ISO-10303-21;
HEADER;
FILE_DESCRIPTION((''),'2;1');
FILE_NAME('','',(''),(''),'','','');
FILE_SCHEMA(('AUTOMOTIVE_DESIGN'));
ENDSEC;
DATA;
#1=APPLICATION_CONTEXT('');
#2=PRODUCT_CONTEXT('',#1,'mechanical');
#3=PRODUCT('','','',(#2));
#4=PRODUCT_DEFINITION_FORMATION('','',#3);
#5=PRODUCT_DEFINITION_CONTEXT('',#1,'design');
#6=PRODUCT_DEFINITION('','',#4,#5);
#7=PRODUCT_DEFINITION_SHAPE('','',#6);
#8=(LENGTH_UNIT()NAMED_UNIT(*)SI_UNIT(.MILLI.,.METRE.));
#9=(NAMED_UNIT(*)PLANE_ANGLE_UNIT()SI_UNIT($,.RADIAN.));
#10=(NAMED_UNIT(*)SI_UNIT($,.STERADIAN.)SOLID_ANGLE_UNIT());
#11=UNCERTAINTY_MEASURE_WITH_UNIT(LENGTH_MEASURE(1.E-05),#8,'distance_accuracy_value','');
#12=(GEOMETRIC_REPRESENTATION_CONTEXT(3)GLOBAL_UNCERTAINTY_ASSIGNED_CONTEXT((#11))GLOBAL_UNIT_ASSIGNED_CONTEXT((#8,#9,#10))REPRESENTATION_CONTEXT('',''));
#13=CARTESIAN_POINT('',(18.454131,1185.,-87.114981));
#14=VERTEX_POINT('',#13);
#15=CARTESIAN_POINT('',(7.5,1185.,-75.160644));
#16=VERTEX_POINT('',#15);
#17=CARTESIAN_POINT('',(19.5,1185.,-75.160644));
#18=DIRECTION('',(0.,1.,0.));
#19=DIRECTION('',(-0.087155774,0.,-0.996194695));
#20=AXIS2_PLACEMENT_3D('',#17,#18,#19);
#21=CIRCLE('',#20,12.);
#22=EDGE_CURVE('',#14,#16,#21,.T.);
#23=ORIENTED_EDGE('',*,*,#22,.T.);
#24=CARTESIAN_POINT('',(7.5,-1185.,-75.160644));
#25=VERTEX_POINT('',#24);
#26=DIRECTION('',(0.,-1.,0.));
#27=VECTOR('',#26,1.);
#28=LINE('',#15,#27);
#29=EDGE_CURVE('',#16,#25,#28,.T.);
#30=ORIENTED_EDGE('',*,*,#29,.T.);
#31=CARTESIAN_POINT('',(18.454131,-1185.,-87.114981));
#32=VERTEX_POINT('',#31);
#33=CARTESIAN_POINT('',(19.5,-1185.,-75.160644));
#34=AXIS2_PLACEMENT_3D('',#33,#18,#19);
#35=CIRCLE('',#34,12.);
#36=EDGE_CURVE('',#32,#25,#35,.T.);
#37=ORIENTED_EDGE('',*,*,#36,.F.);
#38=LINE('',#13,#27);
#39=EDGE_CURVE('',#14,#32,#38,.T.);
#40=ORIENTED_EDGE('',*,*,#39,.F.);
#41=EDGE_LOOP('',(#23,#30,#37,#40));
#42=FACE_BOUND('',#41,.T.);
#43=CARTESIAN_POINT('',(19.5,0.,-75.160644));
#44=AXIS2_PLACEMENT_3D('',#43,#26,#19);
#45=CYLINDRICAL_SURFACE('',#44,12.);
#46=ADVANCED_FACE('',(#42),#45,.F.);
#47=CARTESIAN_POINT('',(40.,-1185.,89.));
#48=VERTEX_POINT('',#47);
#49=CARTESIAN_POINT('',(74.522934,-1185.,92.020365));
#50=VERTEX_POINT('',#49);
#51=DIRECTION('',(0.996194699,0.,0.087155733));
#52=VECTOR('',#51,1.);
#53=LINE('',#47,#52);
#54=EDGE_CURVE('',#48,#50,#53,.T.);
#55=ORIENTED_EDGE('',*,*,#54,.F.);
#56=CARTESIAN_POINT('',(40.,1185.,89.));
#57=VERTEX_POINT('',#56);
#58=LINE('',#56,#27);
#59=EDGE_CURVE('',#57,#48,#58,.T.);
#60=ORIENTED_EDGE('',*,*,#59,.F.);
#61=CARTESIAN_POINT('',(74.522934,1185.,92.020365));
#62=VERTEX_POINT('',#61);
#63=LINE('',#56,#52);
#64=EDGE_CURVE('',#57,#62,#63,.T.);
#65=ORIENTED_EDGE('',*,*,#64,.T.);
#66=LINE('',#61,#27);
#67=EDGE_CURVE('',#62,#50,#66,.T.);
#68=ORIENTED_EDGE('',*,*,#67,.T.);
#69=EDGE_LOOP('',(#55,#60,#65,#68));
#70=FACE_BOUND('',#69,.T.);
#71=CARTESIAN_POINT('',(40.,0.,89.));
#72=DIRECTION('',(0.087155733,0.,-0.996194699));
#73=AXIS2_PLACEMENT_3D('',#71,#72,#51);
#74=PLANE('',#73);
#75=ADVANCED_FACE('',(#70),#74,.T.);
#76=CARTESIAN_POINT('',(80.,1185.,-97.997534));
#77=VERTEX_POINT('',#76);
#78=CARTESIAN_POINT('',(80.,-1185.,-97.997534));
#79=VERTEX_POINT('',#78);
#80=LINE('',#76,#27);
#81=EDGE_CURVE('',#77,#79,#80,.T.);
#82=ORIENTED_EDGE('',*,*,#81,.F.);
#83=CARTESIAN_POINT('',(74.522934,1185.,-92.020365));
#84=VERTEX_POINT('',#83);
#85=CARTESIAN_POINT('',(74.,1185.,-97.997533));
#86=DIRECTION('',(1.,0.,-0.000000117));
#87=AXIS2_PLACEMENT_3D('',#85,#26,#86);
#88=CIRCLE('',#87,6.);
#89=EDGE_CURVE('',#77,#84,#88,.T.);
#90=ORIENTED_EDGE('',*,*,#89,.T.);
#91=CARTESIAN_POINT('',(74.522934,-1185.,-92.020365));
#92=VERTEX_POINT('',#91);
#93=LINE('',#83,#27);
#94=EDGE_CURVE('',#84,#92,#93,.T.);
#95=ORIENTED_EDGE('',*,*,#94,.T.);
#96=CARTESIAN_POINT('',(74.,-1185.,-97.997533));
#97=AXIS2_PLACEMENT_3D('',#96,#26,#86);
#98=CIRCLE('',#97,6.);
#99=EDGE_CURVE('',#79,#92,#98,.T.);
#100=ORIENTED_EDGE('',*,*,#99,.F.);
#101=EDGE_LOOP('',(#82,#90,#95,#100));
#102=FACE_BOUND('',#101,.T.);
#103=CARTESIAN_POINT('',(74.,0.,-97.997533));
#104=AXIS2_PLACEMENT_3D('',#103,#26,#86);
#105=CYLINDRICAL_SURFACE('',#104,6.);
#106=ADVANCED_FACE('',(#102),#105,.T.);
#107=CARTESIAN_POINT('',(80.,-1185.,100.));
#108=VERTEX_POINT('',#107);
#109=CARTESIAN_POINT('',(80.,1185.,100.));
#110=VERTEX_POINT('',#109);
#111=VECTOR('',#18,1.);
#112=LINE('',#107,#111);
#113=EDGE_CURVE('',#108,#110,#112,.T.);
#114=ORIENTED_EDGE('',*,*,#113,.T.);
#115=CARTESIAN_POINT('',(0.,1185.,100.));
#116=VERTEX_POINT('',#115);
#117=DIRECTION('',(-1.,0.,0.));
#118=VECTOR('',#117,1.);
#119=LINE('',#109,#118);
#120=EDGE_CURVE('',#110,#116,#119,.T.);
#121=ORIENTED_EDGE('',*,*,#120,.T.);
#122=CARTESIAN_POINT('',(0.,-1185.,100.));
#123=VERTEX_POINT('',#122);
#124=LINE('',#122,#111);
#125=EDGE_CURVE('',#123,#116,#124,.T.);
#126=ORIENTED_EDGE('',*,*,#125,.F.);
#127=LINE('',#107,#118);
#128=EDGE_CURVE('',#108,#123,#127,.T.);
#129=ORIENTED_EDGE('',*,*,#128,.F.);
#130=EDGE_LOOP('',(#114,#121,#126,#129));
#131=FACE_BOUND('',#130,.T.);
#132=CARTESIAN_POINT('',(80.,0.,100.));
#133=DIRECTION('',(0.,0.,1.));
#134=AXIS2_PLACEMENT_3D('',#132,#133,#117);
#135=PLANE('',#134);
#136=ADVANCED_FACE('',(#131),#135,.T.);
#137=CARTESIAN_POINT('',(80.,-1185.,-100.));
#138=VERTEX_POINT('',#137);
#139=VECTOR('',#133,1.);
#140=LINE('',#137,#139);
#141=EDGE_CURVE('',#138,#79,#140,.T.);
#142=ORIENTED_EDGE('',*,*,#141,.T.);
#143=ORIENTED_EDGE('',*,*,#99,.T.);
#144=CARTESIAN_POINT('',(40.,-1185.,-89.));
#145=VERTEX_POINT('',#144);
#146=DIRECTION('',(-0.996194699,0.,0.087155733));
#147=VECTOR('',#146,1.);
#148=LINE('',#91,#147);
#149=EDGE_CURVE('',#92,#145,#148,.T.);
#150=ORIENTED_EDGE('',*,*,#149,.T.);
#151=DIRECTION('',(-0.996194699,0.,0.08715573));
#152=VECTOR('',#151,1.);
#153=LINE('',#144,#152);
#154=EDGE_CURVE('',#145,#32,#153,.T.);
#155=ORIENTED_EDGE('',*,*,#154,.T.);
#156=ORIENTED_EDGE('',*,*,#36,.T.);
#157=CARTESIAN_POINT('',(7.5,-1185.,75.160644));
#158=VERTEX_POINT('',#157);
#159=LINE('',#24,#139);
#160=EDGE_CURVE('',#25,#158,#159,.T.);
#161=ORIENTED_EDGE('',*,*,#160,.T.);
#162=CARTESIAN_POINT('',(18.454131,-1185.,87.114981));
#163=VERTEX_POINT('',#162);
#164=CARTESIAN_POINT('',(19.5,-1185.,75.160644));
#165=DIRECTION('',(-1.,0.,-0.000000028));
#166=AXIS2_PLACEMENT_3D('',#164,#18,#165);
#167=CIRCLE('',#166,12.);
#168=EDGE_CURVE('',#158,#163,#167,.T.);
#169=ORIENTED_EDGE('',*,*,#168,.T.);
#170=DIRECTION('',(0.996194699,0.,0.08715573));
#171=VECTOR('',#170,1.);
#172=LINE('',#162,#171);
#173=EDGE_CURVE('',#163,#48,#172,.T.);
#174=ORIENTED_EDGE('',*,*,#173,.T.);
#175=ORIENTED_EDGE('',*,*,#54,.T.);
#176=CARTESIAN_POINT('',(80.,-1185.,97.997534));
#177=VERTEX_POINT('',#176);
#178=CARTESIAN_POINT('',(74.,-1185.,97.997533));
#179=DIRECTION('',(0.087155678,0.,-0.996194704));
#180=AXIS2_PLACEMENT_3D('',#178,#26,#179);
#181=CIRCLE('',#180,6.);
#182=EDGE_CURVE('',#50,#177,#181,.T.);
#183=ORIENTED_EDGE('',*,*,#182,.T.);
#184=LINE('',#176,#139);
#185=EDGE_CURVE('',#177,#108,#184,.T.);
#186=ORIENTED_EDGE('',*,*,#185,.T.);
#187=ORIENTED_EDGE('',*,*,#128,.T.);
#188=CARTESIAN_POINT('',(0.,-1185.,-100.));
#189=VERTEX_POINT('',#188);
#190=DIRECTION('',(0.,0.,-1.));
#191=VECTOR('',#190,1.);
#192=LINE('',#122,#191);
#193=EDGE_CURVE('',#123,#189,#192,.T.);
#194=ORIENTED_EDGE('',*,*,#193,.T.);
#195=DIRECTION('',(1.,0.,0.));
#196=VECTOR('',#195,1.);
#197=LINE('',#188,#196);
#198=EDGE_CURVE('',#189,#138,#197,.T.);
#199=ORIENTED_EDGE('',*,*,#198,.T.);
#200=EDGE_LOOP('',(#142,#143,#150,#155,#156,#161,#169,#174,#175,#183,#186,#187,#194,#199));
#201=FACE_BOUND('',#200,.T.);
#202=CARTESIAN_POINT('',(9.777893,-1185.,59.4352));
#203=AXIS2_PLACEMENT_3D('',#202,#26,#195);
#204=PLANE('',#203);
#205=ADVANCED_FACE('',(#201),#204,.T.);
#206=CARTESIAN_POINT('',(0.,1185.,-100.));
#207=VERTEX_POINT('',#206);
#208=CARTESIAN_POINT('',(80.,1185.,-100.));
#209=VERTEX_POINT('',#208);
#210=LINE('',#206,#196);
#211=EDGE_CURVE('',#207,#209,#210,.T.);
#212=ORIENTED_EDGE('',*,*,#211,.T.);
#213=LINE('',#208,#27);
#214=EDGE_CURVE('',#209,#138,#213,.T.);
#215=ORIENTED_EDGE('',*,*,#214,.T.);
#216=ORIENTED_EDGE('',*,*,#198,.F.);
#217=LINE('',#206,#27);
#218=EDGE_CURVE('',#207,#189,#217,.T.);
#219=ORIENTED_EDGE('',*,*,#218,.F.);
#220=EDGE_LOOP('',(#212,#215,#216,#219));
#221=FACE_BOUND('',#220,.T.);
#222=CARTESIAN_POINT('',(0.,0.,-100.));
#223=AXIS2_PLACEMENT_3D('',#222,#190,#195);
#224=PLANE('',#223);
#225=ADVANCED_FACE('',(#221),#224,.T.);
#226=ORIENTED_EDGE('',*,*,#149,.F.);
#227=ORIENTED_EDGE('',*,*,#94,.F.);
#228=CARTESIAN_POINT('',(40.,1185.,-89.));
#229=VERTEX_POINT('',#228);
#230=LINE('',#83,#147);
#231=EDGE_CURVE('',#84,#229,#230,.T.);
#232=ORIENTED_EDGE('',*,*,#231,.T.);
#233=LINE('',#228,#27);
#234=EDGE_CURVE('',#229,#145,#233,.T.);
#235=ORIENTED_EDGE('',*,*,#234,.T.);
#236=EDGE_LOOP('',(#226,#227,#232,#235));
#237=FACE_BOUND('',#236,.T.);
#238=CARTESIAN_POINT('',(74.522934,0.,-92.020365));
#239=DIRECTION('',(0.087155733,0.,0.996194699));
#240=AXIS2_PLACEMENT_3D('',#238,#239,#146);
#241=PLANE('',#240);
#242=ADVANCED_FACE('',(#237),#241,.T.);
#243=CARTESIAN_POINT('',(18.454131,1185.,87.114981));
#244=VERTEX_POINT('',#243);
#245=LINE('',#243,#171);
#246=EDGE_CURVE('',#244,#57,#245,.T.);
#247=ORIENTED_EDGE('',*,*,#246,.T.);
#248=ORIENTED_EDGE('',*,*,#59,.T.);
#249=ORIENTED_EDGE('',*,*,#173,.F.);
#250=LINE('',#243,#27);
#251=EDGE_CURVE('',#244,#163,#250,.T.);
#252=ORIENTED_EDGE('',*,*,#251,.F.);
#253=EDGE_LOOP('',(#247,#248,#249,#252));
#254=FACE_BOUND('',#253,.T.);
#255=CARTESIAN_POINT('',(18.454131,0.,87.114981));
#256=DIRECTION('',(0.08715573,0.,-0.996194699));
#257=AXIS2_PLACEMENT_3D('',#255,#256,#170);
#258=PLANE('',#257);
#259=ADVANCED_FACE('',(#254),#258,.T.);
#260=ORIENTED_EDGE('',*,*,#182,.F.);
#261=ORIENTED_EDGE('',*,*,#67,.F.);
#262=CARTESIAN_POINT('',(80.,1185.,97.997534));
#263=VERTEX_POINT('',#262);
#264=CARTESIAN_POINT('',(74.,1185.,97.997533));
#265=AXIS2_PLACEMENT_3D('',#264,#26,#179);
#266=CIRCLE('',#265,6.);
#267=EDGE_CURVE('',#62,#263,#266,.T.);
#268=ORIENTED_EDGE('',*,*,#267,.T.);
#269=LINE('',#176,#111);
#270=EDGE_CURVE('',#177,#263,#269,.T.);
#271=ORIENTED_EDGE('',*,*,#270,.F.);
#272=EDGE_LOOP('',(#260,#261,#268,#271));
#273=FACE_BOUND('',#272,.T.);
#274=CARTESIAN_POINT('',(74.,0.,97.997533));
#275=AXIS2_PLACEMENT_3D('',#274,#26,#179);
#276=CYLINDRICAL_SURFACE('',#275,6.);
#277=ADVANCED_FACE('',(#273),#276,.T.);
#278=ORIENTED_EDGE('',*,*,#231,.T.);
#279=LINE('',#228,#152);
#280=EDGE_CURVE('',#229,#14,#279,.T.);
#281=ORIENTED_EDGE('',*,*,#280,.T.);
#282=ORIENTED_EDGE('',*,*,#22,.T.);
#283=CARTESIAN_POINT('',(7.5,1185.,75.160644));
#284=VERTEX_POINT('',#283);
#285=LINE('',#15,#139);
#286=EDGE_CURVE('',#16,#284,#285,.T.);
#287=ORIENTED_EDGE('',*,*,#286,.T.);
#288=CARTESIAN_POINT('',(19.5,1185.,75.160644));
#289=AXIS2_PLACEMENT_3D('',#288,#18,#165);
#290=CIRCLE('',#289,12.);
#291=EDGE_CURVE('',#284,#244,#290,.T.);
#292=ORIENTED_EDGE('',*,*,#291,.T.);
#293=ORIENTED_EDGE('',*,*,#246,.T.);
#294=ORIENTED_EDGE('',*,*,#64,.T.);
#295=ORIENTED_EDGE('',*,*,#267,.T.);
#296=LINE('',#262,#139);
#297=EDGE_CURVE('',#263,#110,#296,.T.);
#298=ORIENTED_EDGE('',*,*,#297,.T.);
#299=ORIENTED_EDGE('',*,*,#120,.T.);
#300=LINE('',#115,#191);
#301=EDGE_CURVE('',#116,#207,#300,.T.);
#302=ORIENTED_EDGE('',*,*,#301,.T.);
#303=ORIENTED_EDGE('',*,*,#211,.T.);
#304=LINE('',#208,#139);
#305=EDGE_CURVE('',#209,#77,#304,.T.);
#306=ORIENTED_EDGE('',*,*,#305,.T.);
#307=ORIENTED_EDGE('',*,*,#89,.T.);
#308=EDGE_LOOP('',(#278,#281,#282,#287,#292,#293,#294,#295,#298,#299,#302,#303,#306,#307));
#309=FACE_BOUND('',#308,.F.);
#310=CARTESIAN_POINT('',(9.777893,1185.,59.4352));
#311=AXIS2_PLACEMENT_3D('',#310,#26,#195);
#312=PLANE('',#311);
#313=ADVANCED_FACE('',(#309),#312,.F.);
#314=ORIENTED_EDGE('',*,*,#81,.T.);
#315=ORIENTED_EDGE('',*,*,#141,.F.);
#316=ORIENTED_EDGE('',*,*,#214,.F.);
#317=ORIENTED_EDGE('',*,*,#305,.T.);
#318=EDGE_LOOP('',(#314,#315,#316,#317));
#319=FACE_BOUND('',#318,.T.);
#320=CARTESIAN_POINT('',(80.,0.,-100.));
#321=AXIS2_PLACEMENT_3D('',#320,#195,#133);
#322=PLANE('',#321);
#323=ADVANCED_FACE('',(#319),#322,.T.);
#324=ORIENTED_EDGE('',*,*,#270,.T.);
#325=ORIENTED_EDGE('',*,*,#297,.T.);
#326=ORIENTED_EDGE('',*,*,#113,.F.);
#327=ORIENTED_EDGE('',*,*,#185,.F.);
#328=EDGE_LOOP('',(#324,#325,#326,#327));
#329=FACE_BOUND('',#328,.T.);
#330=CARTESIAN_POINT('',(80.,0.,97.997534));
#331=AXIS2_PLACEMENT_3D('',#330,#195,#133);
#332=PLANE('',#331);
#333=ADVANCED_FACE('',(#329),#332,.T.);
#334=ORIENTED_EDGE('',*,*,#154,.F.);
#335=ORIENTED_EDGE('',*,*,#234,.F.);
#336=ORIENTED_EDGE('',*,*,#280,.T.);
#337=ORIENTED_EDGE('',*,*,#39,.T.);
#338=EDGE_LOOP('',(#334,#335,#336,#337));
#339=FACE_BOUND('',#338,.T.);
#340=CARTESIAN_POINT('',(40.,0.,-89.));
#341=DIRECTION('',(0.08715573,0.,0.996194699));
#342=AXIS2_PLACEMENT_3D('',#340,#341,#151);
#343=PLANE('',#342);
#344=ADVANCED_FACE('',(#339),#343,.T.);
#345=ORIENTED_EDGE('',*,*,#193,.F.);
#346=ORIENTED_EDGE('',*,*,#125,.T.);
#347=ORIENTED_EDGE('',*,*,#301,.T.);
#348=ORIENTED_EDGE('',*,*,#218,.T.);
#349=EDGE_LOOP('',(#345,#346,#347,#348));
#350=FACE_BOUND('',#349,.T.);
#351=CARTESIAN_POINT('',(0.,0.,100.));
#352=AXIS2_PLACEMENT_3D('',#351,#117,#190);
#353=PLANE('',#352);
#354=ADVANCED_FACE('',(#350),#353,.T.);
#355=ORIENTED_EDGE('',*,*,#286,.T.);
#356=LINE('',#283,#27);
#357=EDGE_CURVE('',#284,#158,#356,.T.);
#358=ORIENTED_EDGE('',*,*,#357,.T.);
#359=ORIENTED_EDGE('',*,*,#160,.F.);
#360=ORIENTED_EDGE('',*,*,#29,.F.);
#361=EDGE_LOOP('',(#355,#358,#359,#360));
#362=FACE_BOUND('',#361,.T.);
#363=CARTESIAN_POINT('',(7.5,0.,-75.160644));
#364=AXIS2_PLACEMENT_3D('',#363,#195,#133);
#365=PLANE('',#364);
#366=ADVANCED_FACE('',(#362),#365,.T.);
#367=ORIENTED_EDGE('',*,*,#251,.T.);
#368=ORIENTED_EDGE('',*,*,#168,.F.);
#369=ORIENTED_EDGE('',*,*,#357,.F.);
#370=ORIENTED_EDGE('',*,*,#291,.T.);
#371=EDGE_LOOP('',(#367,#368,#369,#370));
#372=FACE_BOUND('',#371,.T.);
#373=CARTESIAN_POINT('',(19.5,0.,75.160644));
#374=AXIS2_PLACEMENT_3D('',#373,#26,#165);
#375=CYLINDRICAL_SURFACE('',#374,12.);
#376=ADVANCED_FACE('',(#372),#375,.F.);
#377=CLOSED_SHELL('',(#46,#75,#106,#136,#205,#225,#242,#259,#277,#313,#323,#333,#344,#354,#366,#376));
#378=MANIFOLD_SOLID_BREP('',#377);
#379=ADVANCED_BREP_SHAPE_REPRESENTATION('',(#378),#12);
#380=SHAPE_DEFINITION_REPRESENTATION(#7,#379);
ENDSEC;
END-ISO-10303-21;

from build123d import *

# Parameters (mm, degrees)
F1_DEPTH = 1185


with BuildPart() as f1:
    # F0 (on Front) → F1 (new body, symmetric)
    with BuildSketch(Plane.XZ):
        with BuildLine():
            Line((0, 100), (0, 0))
            Line((0, 0), (7.5, 0))
            Line((7.5, 0), (7.5, 75.160644))
            ThreePointArc((7.5, 75.160644), (10.652672, 83.267727), (18.454131, 87.114981))
            Line((18.454131, 87.114981), (40, 89))
            Line((40, 89), (40, 100))
            Line((40, 100), (0, 100))
        make_face()
        with BuildLine():
            Line((80, 100), (40, 100))
            Line((40, 100), (40, 89))
            Line((40, 89), (74.522934, 92.020365))
            ThreePointArc((74.522934, 92.020365), (78.423664, 93.943992), (80, 97.997534))
            Line((80, 97.997534), (80, 100))
        make_face()
        with BuildLine():
            Line((7.5, 0), (0, 0))
            Line((0, 0), (0, -100))
            Line((0, -100), (40, -100))
            Line((40, -100), (40, -89))
            Line((40, -89), (18.454131, -87.114981))
            ThreePointArc((18.454131, -87.114981), (10.652672, -83.267727), (7.5, -75.160644))
            Line((7.5, -75.160644), (7.5, 0))
        make_face()
        with BuildLine():
            Line((40, -89), (40, -100))
            Line((40, -100), (80, -100))
            Line((80, -100), (80, -97.997534))
            ThreePointArc((80, -97.997534), (78.423664, -93.943992), (74.522934, -92.020365))
            Line((74.522934, -92.020365), (40, -89))
        make_face()
    extrude(amount=F1_DEPTH, both=True)


solid = f1.part
